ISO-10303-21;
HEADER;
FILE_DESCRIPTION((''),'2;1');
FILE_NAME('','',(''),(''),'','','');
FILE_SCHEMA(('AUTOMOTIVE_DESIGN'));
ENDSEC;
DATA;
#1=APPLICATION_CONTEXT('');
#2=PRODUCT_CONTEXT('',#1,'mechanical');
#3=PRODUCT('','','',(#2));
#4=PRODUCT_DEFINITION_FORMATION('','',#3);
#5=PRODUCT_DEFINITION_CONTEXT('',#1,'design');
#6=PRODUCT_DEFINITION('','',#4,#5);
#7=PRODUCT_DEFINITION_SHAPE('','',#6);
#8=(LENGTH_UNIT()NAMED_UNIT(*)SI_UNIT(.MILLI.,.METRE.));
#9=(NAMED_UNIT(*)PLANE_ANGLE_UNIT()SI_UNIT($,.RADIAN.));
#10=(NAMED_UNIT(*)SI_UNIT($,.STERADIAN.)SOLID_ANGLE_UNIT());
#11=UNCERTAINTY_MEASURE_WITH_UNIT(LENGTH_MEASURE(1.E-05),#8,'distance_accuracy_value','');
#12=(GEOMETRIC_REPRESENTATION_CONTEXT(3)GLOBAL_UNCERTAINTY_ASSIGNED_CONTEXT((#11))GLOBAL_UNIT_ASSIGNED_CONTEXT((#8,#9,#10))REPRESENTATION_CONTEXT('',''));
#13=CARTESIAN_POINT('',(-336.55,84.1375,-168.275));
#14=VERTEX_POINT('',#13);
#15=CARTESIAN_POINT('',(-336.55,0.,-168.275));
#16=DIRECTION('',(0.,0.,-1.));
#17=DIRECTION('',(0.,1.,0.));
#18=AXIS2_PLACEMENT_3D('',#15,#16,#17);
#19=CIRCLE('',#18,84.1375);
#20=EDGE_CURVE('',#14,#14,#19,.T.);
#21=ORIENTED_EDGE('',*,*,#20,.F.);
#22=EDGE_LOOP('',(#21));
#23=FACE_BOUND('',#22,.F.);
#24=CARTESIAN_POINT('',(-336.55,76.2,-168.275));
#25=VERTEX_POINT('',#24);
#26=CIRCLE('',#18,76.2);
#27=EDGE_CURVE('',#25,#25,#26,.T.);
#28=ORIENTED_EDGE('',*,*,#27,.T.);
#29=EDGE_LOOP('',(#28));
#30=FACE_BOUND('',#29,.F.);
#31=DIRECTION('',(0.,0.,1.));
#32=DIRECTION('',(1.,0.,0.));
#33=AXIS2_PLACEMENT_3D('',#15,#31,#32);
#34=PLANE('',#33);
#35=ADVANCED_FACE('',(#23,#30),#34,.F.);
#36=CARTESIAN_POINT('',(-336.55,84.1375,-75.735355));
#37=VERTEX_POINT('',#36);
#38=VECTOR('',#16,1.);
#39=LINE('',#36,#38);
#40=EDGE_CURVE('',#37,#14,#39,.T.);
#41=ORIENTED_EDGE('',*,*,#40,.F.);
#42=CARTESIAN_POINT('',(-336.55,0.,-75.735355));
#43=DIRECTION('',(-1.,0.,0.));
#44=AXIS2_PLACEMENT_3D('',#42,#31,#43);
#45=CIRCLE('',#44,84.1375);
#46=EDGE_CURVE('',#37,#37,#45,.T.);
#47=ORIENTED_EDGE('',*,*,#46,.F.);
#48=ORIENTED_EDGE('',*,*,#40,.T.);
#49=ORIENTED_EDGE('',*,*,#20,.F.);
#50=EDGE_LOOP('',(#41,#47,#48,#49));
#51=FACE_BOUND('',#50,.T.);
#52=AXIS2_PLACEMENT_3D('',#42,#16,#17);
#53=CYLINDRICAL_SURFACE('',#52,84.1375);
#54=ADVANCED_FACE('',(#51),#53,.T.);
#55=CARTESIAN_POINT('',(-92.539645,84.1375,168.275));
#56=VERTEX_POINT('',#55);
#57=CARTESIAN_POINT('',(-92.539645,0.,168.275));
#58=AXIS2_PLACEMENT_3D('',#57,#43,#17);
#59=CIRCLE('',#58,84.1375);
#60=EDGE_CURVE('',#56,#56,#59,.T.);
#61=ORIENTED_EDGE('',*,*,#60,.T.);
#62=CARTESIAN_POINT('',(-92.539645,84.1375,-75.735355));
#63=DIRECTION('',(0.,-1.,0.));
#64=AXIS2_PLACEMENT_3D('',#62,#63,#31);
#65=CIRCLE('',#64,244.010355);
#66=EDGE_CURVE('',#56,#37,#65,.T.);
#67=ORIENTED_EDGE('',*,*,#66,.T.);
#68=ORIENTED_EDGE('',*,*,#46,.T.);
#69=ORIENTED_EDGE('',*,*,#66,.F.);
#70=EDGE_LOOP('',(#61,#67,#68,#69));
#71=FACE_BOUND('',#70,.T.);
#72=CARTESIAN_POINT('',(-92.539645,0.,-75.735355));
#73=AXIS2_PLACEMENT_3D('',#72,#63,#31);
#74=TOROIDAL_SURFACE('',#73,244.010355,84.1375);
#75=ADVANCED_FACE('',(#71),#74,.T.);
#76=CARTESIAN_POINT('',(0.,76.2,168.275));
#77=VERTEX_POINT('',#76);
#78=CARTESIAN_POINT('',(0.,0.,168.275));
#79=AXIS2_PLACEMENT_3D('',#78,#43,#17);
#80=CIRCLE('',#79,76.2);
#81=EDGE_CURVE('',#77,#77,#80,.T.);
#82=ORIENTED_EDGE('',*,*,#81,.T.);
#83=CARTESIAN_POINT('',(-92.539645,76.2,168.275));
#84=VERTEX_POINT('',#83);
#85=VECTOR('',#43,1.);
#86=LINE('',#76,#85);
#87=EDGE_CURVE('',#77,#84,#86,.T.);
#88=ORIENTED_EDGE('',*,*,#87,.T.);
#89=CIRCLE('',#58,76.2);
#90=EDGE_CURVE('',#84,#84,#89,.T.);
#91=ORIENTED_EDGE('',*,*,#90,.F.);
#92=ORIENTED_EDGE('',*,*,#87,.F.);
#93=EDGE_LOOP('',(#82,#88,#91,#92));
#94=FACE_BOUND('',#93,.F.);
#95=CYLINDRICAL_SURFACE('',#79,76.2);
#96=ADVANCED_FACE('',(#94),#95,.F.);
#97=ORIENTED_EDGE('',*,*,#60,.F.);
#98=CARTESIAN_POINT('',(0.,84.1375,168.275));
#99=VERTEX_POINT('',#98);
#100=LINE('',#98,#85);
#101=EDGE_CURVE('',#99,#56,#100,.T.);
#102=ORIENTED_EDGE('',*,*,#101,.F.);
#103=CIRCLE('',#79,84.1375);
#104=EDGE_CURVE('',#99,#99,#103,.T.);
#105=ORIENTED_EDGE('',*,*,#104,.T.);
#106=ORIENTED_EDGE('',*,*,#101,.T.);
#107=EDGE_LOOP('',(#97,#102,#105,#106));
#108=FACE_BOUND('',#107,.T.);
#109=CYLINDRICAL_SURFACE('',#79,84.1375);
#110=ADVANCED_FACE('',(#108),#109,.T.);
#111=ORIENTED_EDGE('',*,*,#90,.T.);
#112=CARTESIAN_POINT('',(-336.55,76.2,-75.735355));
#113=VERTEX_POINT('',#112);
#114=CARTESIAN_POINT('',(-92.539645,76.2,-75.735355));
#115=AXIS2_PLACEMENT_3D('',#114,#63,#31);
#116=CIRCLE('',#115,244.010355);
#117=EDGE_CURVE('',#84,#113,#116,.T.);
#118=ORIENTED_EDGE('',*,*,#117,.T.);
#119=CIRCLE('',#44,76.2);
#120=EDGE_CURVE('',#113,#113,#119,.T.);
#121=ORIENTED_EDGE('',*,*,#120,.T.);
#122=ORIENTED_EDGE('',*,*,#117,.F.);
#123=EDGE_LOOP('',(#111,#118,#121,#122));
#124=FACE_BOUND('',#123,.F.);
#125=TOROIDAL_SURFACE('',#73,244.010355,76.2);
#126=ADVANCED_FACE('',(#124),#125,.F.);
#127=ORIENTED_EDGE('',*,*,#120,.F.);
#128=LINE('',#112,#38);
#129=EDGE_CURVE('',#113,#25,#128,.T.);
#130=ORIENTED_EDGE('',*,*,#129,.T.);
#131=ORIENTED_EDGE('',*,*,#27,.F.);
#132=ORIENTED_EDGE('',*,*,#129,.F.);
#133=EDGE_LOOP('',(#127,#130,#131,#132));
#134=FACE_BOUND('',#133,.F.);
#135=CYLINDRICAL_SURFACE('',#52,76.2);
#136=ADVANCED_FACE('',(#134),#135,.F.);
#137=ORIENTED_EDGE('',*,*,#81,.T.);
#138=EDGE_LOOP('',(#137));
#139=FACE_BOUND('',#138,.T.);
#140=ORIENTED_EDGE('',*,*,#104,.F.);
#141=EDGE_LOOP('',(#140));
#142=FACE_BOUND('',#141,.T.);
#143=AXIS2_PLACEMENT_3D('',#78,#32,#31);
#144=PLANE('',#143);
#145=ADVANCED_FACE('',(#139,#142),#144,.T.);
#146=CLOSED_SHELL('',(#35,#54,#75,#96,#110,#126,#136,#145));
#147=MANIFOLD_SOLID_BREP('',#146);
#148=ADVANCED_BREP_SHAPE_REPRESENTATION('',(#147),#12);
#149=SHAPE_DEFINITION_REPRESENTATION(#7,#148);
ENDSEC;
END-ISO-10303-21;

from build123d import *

# Parameters (mm, degrees)
F1_R   = 84.1375
F1_R_2 = 76.2


with BuildPart() as f2:
    # F2: sweep along a path in F0
    with BuildLine(Plane.XZ) as f2_path:
        Line((0, 168.275), (-92.539645279, 168.275))
        ThreePointArc((-92.539645279, 168.275), (-265.081021782, 96.806021782), (-336.55, -75.735354721))
        Line((-336.55, -75.735354721), (-336.55, -168.275))
    # F1 (on Right) → F2 (sweep)
    with BuildSketch(Plane.YZ):
        with Locations((0, 168.275)):
            Circle(F1_R)
        with Locations((0, 168.275)):
            Circle(F1_R_2, mode=Mode.SUBTRACT)
    sweep(path=f2_path.line)


solid = f2.part
